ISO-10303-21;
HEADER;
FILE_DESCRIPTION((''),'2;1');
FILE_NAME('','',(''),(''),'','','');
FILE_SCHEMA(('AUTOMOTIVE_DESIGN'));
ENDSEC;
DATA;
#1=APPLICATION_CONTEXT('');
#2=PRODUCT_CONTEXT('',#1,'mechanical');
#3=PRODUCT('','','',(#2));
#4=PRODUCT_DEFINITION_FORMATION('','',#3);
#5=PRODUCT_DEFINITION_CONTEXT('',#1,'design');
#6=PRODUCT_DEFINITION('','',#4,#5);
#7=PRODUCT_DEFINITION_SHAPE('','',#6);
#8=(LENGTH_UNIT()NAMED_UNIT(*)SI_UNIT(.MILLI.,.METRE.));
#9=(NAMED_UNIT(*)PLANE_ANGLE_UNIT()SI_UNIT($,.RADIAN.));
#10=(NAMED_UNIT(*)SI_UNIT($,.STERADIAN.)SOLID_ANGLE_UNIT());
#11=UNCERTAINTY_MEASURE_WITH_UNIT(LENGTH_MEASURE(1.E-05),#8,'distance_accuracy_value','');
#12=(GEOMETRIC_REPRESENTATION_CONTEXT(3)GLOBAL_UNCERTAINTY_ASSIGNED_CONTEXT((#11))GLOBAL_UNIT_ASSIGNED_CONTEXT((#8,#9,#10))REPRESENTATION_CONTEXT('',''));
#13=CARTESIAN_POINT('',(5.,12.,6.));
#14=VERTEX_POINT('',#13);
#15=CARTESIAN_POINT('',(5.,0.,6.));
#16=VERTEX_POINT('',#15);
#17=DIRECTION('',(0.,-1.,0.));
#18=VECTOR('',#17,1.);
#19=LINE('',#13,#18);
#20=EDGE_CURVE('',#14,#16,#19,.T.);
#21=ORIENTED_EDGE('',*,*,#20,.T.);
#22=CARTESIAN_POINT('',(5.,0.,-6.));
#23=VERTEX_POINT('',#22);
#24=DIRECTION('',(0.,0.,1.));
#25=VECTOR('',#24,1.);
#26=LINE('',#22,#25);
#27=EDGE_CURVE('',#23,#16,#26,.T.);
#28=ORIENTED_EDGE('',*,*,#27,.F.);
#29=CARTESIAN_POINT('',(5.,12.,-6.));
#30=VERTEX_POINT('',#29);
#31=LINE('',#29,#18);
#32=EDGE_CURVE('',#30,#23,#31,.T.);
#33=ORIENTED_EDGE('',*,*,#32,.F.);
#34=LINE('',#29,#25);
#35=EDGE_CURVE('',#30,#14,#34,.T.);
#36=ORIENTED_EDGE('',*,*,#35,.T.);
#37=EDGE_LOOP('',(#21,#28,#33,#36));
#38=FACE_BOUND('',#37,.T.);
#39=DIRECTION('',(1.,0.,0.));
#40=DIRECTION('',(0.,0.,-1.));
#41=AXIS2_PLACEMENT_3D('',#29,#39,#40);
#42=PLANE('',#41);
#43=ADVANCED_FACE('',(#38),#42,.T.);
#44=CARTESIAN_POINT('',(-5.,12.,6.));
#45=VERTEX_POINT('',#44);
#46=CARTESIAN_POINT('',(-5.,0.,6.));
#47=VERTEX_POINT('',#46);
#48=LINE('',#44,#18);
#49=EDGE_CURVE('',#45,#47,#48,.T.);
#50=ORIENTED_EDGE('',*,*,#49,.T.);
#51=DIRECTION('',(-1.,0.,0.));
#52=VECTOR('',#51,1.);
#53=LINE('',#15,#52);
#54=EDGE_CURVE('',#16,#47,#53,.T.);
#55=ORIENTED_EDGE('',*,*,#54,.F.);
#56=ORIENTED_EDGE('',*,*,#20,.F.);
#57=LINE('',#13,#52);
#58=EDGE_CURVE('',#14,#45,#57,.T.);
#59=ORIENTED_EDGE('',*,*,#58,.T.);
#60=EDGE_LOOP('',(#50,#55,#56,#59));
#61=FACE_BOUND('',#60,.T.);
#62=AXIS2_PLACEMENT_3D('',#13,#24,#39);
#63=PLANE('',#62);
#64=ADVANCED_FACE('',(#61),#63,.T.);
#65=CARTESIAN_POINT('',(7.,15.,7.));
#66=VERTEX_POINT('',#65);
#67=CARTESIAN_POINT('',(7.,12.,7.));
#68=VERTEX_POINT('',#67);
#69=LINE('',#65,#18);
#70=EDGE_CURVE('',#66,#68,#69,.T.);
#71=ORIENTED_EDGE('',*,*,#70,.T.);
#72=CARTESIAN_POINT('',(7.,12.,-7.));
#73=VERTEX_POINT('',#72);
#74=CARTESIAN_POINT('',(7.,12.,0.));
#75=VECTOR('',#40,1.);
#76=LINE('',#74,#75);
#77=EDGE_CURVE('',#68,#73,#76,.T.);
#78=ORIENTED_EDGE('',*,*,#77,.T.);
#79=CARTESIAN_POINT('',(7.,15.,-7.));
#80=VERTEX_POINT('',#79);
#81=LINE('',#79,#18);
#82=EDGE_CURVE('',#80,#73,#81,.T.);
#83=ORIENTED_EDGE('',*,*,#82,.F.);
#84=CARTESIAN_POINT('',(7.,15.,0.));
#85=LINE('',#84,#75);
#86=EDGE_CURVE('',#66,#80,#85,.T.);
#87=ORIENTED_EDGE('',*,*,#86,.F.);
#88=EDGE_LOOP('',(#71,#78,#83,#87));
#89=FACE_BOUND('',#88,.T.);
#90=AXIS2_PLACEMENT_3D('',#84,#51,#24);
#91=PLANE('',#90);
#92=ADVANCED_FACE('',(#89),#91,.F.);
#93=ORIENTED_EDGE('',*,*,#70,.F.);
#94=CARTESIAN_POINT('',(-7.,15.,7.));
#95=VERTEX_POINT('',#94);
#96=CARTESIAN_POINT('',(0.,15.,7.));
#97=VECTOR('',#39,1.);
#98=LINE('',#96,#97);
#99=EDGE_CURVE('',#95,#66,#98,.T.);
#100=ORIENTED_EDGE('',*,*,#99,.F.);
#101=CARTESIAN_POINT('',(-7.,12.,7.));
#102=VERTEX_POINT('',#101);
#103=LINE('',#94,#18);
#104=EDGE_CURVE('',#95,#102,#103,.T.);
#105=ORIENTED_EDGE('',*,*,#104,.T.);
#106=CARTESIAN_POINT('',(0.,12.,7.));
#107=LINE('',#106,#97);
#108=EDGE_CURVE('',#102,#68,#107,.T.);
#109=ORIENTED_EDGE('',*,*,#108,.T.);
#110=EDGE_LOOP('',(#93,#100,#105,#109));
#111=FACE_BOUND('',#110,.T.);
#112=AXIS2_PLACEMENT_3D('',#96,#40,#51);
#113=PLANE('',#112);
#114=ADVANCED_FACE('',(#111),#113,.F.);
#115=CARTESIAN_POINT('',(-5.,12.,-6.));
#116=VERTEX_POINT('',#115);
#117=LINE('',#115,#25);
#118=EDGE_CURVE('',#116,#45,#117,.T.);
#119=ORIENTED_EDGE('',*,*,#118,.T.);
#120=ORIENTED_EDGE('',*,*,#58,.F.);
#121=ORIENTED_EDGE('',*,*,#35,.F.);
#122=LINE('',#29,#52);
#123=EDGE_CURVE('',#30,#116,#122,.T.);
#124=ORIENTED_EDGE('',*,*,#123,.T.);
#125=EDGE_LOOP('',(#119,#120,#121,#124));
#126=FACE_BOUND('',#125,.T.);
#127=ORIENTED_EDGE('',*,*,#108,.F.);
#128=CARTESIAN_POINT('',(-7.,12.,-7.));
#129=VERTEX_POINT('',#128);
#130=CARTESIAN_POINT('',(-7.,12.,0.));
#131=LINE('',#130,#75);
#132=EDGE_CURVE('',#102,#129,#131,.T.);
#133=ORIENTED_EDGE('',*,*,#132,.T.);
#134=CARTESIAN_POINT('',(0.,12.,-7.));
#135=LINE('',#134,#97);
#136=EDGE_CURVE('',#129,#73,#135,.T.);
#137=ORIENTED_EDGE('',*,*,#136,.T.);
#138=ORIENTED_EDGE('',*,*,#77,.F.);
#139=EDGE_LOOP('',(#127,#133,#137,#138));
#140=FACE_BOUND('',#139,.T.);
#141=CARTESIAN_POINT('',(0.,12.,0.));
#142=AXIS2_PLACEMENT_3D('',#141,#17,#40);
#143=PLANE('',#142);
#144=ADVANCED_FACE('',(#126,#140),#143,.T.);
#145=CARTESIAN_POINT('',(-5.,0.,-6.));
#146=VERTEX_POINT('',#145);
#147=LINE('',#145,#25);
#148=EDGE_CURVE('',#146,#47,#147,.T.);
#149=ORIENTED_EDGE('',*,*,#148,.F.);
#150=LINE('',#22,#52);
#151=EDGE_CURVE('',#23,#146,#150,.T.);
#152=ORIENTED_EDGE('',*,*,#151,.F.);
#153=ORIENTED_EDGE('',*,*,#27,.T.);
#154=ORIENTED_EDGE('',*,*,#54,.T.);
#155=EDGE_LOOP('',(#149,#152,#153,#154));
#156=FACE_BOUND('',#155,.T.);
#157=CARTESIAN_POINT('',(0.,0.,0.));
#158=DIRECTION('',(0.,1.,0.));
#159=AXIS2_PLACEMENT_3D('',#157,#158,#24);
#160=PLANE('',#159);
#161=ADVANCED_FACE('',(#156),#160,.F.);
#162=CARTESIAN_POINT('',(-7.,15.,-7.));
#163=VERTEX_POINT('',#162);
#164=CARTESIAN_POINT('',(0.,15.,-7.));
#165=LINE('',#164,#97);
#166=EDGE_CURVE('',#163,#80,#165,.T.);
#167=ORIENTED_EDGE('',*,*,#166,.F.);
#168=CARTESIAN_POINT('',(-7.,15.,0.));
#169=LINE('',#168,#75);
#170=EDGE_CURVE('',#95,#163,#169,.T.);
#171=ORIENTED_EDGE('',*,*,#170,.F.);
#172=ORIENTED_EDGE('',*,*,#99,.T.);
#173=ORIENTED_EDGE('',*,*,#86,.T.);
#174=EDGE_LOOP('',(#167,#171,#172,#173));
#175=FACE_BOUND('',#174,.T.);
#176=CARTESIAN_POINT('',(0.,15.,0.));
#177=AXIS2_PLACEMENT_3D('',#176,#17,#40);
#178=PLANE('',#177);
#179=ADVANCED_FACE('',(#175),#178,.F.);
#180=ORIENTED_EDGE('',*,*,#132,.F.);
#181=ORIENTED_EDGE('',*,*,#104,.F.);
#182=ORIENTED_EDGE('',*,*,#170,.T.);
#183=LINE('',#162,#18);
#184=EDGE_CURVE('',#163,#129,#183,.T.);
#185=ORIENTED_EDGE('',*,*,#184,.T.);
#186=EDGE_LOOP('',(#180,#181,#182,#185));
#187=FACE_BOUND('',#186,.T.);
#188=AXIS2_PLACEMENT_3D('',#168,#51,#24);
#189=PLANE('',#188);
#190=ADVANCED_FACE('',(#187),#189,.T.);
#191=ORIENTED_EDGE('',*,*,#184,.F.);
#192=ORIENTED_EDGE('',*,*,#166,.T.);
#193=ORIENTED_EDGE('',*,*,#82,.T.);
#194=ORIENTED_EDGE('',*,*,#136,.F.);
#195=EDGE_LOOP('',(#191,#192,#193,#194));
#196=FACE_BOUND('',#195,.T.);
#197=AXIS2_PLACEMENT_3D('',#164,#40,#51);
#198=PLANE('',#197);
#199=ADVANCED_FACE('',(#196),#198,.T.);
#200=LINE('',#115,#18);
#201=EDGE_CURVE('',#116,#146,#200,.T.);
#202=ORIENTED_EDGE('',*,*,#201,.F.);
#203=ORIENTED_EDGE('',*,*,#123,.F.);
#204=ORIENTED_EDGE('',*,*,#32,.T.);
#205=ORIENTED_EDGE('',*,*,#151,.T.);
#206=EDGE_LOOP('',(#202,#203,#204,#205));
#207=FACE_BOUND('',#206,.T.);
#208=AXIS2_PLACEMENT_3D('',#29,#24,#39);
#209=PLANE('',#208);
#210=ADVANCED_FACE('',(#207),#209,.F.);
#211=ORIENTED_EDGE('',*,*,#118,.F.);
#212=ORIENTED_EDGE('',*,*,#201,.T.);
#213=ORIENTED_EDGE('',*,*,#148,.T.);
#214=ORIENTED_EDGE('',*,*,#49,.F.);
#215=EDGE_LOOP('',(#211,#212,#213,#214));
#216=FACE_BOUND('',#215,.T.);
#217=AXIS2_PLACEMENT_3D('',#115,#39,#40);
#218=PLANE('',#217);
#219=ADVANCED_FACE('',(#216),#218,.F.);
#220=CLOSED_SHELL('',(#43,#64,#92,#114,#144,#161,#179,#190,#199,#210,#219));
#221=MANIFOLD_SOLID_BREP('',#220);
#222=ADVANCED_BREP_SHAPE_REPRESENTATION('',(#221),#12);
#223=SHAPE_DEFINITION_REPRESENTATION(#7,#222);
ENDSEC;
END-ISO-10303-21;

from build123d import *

# Parameters (mm, degrees)
SKETCH_1_W      = 10
SKETCH_1_H      = 12
EXTRUDE_1_DEPTH = 12
EXTRUDE_START   = 12
SKETCH_1_3_W    = 14
SKETCH_1_3_H    = 14
SKETCH_1_3_W_2  = 10
SKETCH_1_3_H_2  = 12
EXTRUDE_2_DEPTH = 3


with BuildPart() as part:
    # Эскиз1 → Бобышка-Вытянуть1 (new body)
    with BuildSketch(Plane(origin=(0, 0, 0), x_dir=(1, 0, 0), z_dir=(0, 1, 0))):
        Rectangle(SKETCH_1_W, SKETCH_1_H)
    extrude(amount=EXTRUDE_1_DEPTH)

    # Эскиз1<3> → Бобышка-Вытянуть2 (add)
    with BuildSketch(Plane(origin=(0, 0, 0), x_dir=(1, 0, 0), z_dir=(0, 1, 0)).offset(EXTRUDE_START)):
        Rectangle(SKETCH_1_3_W, SKETCH_1_3_H)
        Rectangle(SKETCH_1_3_W_2, SKETCH_1_3_H_2, mode=Mode.SUBTRACT)
        Rectangle(SKETCH_1_3_W_2, SKETCH_1_3_H_2)
    extrude(amount=EXTRUDE_2_DEPTH)


solid = part.part
